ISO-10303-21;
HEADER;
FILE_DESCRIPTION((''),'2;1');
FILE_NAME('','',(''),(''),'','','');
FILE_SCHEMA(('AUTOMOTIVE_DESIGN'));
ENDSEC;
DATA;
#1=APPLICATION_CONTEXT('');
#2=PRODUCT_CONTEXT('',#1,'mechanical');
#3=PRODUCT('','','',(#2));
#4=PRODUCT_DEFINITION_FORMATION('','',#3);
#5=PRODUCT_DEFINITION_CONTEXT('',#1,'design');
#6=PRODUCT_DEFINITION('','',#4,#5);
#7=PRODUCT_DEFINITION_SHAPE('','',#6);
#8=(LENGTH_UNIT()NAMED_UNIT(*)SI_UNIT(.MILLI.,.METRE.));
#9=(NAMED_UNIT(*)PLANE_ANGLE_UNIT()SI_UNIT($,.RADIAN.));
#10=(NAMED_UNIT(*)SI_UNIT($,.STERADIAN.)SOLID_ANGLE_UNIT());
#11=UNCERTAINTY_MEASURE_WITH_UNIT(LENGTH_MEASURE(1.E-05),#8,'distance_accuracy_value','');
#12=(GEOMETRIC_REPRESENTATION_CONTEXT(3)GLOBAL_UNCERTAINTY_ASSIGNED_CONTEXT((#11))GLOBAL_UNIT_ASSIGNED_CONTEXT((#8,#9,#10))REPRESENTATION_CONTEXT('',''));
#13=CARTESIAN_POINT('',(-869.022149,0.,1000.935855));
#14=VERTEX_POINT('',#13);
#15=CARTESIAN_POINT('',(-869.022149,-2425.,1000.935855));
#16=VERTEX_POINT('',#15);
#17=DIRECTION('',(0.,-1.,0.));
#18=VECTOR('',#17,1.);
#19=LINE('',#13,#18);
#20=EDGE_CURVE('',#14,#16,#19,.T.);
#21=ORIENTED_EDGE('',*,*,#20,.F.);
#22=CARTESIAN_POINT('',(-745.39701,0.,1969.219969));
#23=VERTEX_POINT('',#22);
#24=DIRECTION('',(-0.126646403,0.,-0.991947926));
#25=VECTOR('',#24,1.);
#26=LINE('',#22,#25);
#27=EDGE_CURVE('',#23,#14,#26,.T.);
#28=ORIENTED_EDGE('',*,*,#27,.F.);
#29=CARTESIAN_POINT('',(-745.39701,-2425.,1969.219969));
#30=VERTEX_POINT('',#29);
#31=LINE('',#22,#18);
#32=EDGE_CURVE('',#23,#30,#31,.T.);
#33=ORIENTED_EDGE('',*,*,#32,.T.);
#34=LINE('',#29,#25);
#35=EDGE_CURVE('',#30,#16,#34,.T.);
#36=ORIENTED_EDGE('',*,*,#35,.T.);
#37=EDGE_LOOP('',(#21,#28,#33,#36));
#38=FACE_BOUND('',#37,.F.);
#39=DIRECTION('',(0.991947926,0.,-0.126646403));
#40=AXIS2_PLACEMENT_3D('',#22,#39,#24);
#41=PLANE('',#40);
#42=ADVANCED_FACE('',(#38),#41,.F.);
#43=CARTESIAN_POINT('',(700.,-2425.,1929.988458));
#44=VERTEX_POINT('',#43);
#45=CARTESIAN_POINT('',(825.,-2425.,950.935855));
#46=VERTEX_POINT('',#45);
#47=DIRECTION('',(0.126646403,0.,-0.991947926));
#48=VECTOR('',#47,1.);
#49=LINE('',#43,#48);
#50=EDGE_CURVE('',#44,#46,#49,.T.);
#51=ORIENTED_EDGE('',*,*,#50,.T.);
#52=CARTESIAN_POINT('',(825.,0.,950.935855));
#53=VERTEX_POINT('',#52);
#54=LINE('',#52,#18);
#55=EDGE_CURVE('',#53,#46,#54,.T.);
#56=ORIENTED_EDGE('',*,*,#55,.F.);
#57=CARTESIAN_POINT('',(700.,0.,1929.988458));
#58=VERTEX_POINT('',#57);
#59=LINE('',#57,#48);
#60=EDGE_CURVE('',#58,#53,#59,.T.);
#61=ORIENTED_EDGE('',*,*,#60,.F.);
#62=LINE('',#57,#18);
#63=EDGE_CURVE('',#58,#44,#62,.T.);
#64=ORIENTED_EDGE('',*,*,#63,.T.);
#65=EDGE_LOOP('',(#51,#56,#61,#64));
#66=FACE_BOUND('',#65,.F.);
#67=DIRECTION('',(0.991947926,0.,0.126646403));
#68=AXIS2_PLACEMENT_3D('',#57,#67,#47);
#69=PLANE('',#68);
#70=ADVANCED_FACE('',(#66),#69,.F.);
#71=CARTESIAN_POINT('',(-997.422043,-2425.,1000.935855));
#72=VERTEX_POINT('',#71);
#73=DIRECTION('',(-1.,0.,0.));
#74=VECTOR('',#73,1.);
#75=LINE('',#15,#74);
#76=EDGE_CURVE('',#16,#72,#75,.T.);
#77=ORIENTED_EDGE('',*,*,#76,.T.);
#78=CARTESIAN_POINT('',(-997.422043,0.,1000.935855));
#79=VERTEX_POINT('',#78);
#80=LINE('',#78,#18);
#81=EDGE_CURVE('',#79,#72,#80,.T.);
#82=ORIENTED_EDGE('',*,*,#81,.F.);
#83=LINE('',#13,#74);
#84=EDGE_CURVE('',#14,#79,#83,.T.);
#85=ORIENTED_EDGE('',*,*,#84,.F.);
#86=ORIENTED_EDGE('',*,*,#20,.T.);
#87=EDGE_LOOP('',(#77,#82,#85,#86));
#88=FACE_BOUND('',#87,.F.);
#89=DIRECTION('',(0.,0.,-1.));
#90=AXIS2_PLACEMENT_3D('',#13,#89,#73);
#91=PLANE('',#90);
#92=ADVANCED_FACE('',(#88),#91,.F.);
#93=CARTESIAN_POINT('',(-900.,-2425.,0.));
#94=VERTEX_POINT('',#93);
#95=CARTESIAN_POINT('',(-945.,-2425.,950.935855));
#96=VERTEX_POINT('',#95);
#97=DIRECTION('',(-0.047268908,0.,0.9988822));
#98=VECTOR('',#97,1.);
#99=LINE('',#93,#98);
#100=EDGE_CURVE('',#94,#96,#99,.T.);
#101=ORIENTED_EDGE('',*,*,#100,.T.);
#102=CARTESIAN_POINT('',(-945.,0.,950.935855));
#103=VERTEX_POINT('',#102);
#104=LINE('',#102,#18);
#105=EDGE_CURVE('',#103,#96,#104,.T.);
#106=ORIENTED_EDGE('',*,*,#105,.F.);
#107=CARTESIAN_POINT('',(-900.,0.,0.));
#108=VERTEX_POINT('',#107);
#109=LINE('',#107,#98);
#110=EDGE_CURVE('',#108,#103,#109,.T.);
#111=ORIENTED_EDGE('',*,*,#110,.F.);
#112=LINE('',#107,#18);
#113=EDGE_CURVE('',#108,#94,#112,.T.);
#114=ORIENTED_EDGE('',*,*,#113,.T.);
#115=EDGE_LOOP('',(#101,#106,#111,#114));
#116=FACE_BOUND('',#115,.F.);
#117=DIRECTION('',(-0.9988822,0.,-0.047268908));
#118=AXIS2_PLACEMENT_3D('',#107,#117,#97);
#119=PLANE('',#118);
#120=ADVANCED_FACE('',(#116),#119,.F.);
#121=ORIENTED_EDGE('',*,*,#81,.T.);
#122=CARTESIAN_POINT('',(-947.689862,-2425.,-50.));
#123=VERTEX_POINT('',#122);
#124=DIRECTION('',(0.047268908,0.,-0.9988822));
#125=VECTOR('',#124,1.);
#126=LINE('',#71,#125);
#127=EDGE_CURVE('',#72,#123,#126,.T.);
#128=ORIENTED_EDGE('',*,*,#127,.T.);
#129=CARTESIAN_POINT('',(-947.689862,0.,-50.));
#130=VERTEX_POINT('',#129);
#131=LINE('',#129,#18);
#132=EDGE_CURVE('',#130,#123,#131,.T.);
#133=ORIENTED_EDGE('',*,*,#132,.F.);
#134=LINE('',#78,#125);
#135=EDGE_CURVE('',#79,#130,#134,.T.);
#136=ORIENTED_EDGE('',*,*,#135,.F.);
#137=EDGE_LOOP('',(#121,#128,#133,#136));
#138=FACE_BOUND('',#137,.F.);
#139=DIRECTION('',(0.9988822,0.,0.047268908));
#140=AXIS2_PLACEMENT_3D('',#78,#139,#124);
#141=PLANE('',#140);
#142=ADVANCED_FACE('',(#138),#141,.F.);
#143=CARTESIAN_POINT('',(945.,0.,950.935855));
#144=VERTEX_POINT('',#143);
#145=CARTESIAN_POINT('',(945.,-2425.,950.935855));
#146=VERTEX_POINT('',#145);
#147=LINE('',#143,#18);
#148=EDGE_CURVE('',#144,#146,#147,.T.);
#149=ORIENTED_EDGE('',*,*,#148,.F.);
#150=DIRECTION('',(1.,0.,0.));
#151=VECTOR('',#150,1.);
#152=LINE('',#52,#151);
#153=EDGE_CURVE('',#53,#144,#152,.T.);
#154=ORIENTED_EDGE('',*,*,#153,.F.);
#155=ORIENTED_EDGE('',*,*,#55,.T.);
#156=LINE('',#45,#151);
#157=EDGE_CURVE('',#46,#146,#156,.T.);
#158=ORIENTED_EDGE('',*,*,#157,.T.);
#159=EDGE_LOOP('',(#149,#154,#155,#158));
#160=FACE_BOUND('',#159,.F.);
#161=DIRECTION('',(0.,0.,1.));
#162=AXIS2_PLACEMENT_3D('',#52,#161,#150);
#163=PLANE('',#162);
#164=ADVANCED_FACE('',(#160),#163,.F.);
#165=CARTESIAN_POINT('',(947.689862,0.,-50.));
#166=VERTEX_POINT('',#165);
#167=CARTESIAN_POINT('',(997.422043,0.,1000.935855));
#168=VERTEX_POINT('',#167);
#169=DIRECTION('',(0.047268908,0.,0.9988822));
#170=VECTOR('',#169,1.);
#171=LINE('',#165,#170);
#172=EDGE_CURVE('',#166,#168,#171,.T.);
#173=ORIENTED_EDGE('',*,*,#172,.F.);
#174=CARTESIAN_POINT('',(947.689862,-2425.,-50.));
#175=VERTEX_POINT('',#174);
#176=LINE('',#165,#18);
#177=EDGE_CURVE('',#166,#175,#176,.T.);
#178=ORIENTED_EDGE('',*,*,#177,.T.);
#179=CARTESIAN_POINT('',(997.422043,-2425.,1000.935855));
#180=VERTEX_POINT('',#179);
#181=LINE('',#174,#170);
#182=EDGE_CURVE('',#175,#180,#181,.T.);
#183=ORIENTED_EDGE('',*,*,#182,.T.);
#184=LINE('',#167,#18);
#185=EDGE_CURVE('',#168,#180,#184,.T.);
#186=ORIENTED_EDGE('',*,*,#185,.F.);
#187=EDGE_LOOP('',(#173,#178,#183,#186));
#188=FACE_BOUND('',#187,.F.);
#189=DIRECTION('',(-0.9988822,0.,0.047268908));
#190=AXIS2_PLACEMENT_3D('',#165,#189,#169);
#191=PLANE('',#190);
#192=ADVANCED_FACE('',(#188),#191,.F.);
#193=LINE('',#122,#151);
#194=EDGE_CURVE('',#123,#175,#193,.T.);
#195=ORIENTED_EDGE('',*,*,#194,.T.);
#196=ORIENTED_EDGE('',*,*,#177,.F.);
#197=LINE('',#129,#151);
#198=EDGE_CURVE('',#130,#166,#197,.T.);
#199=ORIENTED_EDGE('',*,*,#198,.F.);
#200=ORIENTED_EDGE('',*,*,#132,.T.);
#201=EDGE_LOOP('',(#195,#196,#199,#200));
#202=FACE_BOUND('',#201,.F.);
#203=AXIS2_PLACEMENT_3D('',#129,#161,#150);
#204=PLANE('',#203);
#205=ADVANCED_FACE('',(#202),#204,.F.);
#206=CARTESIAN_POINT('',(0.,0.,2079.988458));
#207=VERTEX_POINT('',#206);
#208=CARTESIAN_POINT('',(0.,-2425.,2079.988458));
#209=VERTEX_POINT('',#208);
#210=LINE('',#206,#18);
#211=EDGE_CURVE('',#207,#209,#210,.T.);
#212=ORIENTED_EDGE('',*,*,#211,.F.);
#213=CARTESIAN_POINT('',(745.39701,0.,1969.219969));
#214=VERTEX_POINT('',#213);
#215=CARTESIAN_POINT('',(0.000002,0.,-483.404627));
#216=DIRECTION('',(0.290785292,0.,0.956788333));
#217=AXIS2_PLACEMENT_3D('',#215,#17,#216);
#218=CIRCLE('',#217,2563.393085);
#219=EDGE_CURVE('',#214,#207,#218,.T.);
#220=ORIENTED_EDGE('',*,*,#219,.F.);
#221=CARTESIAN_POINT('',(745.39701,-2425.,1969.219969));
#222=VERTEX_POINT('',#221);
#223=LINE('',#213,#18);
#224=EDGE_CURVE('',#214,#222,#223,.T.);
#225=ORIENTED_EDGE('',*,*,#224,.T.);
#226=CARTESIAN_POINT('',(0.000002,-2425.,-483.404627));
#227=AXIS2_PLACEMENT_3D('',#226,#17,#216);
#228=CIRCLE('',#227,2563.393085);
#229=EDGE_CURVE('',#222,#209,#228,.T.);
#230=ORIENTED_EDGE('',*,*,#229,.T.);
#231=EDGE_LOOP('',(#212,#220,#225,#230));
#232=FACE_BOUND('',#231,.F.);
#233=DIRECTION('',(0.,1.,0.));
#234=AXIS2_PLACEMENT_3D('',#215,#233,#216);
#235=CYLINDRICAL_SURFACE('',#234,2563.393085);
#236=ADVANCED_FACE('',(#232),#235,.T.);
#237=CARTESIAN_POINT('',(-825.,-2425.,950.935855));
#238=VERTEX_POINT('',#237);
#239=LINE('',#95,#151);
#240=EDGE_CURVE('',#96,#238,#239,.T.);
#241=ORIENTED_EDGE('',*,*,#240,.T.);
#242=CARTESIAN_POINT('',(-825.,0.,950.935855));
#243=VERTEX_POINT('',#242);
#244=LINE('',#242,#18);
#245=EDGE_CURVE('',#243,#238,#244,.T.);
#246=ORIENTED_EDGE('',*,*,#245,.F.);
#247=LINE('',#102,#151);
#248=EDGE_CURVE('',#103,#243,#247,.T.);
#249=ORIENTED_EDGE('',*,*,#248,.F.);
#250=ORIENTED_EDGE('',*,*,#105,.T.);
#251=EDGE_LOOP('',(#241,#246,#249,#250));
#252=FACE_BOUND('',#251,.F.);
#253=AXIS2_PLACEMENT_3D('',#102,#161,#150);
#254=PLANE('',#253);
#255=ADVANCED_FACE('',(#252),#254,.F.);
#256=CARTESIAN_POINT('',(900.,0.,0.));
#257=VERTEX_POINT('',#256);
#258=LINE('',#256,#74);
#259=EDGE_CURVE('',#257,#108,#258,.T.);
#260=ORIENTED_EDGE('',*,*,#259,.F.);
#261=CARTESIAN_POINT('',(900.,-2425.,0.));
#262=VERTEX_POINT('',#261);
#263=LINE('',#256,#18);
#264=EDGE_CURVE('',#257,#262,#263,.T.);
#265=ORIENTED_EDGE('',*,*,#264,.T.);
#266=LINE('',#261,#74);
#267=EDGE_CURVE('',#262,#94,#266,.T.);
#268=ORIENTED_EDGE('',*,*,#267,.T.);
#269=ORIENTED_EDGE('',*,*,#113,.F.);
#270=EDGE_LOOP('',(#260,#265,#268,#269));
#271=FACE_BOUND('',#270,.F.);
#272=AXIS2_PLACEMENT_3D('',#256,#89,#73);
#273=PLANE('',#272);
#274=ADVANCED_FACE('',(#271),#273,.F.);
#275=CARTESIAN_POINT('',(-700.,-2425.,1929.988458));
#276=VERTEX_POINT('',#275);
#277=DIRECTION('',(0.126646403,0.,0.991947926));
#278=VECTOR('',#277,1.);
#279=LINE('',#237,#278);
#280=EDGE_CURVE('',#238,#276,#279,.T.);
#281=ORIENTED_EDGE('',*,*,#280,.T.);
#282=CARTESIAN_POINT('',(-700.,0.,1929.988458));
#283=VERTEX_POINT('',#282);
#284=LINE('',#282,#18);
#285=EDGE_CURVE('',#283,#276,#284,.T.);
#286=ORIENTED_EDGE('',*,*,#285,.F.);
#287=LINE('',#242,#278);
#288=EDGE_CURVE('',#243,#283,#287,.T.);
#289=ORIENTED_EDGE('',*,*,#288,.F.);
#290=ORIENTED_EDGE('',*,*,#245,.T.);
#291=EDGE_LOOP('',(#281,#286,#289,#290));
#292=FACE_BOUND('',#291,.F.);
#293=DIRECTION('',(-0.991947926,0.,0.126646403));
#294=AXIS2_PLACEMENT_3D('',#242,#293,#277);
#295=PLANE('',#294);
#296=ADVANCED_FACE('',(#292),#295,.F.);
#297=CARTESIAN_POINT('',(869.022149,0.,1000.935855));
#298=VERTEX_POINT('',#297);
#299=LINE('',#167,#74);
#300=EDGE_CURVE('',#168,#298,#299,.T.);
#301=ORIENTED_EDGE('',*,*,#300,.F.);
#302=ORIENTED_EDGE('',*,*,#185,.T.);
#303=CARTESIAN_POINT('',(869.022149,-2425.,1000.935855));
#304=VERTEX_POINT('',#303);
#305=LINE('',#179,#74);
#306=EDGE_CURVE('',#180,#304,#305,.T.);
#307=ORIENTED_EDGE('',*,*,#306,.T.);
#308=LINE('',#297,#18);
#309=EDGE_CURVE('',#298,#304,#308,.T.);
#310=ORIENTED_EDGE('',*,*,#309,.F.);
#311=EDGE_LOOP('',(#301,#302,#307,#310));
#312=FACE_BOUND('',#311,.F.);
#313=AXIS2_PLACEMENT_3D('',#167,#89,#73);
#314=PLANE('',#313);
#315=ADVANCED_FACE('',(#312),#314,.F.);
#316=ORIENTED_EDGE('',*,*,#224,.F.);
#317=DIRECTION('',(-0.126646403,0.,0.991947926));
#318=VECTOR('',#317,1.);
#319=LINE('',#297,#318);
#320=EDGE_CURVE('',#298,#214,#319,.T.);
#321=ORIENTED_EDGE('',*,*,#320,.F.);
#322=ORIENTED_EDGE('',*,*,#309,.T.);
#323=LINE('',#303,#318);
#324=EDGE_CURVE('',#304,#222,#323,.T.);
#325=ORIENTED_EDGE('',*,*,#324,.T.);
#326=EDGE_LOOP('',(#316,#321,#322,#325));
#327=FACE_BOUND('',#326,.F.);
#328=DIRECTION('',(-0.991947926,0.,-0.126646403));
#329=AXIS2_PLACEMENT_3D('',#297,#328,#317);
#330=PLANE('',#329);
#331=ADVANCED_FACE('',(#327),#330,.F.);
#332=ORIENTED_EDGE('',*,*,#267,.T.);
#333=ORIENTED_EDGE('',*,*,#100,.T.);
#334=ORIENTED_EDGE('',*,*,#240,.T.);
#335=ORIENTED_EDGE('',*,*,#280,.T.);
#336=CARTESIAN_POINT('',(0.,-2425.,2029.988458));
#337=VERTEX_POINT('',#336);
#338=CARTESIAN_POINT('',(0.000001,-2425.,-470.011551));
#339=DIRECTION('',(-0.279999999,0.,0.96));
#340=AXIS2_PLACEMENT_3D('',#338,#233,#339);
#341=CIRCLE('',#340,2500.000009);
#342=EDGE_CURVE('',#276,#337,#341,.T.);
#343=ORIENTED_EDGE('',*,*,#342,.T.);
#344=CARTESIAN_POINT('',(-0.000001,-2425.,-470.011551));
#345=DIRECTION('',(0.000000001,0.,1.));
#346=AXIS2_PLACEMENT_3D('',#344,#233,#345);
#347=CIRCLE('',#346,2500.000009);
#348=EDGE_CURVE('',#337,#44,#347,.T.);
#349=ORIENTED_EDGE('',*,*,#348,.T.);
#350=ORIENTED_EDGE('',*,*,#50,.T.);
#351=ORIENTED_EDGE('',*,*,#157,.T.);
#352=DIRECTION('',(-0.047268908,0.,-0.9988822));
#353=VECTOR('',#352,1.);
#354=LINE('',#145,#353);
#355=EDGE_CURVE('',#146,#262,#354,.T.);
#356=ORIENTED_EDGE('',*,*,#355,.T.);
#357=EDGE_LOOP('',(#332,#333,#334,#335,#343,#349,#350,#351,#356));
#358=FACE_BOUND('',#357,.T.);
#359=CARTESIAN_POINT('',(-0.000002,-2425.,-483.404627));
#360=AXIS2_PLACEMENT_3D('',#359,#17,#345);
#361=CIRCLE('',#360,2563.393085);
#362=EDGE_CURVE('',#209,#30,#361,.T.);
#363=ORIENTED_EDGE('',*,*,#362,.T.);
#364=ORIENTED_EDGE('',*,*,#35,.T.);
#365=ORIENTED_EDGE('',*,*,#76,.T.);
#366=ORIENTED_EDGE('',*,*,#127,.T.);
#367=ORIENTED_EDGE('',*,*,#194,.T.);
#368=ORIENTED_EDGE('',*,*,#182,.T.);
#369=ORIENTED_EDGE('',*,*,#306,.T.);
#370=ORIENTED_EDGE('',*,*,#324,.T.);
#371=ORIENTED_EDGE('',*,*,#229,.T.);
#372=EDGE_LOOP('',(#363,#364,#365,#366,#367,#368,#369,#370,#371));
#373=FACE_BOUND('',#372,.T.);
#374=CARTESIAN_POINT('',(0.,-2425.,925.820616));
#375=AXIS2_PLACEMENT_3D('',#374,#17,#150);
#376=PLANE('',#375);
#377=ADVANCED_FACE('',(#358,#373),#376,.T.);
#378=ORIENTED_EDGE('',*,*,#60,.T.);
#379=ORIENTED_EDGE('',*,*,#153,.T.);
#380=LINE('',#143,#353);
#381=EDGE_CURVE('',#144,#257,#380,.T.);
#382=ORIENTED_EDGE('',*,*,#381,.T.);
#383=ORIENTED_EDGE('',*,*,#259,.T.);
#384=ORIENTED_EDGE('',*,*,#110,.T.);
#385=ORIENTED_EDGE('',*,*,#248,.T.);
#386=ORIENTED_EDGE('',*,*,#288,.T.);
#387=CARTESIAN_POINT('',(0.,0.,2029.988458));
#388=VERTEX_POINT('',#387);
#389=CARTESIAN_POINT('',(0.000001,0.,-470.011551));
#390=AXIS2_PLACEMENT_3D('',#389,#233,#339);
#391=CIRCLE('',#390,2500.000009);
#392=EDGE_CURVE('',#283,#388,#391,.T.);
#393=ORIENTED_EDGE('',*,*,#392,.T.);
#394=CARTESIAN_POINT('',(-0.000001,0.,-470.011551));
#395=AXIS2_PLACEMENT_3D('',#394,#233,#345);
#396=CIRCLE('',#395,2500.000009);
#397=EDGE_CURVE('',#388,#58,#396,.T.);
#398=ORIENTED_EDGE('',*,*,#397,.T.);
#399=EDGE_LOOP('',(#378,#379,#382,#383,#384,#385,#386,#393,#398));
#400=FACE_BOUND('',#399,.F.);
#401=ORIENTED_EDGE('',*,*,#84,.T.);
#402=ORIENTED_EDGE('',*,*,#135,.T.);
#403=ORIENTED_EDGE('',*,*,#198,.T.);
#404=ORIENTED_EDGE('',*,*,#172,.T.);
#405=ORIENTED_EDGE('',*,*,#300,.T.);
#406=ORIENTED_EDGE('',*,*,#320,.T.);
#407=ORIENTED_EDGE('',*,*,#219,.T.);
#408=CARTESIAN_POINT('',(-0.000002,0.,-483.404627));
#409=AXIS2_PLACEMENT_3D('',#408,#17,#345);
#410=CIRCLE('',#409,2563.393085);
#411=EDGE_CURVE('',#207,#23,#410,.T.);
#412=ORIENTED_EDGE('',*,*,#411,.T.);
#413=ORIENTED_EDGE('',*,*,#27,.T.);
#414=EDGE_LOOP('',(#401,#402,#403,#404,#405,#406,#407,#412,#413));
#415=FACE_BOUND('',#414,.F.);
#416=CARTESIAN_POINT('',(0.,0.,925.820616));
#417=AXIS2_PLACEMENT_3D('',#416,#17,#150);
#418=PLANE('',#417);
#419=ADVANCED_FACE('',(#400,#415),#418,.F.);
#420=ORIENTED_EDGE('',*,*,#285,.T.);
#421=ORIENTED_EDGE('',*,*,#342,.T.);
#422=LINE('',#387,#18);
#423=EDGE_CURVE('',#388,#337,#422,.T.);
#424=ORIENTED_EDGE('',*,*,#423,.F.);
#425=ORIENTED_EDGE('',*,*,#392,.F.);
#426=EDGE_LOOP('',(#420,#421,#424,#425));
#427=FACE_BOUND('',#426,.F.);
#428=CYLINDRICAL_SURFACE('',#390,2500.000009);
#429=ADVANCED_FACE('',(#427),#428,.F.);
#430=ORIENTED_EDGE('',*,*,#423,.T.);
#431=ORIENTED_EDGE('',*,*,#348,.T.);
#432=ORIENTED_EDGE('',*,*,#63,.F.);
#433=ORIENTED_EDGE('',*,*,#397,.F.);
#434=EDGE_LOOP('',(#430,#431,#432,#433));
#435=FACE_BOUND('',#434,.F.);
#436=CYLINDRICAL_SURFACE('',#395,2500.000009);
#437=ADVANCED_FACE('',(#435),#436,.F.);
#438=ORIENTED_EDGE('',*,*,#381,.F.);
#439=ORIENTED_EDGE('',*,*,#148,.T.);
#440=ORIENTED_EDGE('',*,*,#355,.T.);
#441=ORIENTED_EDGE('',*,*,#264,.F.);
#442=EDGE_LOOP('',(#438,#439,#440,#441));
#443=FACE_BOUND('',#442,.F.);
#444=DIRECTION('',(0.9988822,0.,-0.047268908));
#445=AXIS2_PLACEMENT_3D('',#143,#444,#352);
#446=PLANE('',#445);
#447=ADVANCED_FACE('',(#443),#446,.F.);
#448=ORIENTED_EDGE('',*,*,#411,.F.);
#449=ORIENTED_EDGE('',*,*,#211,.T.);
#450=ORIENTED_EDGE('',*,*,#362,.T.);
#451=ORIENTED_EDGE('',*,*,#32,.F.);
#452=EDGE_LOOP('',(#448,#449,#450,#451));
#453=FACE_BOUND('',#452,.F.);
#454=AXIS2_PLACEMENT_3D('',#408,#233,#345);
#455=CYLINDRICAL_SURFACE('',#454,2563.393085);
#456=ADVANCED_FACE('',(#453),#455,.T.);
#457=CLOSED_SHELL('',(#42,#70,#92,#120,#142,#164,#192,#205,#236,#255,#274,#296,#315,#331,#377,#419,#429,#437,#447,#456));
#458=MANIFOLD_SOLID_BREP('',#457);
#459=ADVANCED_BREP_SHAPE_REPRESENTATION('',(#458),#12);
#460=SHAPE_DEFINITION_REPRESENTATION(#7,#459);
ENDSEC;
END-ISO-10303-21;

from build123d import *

# Parameters (mm, degrees)
F1_DEPTH = 2425


with BuildPart() as f1:
    # F0 (on Front) → F1 (new body)
    with BuildSketch(Plane.XZ):
        with BuildLine():
            Line((-947.689862, -50), (0, -50))
            Line((0, -50), (947.689862, -50))
            Line((947.689862, -50), (997.422043, 1000.935855))
            Line((997.422043, 1000.935855), (869.022149, 1000.935855))
            Line((869.022149, 1000.935855), (745.39701, 1969.219969))
            ThreePointArc((745.39701, 1969.219969), (376.791176, 2052.14512), (0, 2079.988458))
            ThreePointArc((0, 2079.988458), (-376.791176, 2052.14512), (-745.39701, 1969.219969))
            Line((-745.39701, 1969.219969), (-869.022149, 1000.935855))
            Line((-869.022149, 1000.935855), (-997.422043, 1000.935855))
            Line((-997.422043, 1000.935855), (-947.689862, -50))
        make_face()
        with BuildLine():
            Line((900, 0), (0, 0))
            Line((0, 0), (-900, 0))
            Line((-900, 0), (-945, 950.935855))
            Line((-945, 950.935855), (-825, 950.935855))
            Line((-825, 950.935855), (-700, 1929.988458))
            ThreePointArc((-700, 1929.988458), (-353.553391, 2004.862192), (0, 2029.988458))
            ThreePointArc((0, 2029.988458), (353.553391, 2004.862192), (700, 1929.988458))
            Line((700, 1929.988458), (825, 950.935855))
            Line((825, 950.935855), (945, 950.935855))
            Line((945, 950.935855), (900, 0))
        make_face(mode=Mode.SUBTRACT)
    extrude(amount=F1_DEPTH)


solid = f1.part
